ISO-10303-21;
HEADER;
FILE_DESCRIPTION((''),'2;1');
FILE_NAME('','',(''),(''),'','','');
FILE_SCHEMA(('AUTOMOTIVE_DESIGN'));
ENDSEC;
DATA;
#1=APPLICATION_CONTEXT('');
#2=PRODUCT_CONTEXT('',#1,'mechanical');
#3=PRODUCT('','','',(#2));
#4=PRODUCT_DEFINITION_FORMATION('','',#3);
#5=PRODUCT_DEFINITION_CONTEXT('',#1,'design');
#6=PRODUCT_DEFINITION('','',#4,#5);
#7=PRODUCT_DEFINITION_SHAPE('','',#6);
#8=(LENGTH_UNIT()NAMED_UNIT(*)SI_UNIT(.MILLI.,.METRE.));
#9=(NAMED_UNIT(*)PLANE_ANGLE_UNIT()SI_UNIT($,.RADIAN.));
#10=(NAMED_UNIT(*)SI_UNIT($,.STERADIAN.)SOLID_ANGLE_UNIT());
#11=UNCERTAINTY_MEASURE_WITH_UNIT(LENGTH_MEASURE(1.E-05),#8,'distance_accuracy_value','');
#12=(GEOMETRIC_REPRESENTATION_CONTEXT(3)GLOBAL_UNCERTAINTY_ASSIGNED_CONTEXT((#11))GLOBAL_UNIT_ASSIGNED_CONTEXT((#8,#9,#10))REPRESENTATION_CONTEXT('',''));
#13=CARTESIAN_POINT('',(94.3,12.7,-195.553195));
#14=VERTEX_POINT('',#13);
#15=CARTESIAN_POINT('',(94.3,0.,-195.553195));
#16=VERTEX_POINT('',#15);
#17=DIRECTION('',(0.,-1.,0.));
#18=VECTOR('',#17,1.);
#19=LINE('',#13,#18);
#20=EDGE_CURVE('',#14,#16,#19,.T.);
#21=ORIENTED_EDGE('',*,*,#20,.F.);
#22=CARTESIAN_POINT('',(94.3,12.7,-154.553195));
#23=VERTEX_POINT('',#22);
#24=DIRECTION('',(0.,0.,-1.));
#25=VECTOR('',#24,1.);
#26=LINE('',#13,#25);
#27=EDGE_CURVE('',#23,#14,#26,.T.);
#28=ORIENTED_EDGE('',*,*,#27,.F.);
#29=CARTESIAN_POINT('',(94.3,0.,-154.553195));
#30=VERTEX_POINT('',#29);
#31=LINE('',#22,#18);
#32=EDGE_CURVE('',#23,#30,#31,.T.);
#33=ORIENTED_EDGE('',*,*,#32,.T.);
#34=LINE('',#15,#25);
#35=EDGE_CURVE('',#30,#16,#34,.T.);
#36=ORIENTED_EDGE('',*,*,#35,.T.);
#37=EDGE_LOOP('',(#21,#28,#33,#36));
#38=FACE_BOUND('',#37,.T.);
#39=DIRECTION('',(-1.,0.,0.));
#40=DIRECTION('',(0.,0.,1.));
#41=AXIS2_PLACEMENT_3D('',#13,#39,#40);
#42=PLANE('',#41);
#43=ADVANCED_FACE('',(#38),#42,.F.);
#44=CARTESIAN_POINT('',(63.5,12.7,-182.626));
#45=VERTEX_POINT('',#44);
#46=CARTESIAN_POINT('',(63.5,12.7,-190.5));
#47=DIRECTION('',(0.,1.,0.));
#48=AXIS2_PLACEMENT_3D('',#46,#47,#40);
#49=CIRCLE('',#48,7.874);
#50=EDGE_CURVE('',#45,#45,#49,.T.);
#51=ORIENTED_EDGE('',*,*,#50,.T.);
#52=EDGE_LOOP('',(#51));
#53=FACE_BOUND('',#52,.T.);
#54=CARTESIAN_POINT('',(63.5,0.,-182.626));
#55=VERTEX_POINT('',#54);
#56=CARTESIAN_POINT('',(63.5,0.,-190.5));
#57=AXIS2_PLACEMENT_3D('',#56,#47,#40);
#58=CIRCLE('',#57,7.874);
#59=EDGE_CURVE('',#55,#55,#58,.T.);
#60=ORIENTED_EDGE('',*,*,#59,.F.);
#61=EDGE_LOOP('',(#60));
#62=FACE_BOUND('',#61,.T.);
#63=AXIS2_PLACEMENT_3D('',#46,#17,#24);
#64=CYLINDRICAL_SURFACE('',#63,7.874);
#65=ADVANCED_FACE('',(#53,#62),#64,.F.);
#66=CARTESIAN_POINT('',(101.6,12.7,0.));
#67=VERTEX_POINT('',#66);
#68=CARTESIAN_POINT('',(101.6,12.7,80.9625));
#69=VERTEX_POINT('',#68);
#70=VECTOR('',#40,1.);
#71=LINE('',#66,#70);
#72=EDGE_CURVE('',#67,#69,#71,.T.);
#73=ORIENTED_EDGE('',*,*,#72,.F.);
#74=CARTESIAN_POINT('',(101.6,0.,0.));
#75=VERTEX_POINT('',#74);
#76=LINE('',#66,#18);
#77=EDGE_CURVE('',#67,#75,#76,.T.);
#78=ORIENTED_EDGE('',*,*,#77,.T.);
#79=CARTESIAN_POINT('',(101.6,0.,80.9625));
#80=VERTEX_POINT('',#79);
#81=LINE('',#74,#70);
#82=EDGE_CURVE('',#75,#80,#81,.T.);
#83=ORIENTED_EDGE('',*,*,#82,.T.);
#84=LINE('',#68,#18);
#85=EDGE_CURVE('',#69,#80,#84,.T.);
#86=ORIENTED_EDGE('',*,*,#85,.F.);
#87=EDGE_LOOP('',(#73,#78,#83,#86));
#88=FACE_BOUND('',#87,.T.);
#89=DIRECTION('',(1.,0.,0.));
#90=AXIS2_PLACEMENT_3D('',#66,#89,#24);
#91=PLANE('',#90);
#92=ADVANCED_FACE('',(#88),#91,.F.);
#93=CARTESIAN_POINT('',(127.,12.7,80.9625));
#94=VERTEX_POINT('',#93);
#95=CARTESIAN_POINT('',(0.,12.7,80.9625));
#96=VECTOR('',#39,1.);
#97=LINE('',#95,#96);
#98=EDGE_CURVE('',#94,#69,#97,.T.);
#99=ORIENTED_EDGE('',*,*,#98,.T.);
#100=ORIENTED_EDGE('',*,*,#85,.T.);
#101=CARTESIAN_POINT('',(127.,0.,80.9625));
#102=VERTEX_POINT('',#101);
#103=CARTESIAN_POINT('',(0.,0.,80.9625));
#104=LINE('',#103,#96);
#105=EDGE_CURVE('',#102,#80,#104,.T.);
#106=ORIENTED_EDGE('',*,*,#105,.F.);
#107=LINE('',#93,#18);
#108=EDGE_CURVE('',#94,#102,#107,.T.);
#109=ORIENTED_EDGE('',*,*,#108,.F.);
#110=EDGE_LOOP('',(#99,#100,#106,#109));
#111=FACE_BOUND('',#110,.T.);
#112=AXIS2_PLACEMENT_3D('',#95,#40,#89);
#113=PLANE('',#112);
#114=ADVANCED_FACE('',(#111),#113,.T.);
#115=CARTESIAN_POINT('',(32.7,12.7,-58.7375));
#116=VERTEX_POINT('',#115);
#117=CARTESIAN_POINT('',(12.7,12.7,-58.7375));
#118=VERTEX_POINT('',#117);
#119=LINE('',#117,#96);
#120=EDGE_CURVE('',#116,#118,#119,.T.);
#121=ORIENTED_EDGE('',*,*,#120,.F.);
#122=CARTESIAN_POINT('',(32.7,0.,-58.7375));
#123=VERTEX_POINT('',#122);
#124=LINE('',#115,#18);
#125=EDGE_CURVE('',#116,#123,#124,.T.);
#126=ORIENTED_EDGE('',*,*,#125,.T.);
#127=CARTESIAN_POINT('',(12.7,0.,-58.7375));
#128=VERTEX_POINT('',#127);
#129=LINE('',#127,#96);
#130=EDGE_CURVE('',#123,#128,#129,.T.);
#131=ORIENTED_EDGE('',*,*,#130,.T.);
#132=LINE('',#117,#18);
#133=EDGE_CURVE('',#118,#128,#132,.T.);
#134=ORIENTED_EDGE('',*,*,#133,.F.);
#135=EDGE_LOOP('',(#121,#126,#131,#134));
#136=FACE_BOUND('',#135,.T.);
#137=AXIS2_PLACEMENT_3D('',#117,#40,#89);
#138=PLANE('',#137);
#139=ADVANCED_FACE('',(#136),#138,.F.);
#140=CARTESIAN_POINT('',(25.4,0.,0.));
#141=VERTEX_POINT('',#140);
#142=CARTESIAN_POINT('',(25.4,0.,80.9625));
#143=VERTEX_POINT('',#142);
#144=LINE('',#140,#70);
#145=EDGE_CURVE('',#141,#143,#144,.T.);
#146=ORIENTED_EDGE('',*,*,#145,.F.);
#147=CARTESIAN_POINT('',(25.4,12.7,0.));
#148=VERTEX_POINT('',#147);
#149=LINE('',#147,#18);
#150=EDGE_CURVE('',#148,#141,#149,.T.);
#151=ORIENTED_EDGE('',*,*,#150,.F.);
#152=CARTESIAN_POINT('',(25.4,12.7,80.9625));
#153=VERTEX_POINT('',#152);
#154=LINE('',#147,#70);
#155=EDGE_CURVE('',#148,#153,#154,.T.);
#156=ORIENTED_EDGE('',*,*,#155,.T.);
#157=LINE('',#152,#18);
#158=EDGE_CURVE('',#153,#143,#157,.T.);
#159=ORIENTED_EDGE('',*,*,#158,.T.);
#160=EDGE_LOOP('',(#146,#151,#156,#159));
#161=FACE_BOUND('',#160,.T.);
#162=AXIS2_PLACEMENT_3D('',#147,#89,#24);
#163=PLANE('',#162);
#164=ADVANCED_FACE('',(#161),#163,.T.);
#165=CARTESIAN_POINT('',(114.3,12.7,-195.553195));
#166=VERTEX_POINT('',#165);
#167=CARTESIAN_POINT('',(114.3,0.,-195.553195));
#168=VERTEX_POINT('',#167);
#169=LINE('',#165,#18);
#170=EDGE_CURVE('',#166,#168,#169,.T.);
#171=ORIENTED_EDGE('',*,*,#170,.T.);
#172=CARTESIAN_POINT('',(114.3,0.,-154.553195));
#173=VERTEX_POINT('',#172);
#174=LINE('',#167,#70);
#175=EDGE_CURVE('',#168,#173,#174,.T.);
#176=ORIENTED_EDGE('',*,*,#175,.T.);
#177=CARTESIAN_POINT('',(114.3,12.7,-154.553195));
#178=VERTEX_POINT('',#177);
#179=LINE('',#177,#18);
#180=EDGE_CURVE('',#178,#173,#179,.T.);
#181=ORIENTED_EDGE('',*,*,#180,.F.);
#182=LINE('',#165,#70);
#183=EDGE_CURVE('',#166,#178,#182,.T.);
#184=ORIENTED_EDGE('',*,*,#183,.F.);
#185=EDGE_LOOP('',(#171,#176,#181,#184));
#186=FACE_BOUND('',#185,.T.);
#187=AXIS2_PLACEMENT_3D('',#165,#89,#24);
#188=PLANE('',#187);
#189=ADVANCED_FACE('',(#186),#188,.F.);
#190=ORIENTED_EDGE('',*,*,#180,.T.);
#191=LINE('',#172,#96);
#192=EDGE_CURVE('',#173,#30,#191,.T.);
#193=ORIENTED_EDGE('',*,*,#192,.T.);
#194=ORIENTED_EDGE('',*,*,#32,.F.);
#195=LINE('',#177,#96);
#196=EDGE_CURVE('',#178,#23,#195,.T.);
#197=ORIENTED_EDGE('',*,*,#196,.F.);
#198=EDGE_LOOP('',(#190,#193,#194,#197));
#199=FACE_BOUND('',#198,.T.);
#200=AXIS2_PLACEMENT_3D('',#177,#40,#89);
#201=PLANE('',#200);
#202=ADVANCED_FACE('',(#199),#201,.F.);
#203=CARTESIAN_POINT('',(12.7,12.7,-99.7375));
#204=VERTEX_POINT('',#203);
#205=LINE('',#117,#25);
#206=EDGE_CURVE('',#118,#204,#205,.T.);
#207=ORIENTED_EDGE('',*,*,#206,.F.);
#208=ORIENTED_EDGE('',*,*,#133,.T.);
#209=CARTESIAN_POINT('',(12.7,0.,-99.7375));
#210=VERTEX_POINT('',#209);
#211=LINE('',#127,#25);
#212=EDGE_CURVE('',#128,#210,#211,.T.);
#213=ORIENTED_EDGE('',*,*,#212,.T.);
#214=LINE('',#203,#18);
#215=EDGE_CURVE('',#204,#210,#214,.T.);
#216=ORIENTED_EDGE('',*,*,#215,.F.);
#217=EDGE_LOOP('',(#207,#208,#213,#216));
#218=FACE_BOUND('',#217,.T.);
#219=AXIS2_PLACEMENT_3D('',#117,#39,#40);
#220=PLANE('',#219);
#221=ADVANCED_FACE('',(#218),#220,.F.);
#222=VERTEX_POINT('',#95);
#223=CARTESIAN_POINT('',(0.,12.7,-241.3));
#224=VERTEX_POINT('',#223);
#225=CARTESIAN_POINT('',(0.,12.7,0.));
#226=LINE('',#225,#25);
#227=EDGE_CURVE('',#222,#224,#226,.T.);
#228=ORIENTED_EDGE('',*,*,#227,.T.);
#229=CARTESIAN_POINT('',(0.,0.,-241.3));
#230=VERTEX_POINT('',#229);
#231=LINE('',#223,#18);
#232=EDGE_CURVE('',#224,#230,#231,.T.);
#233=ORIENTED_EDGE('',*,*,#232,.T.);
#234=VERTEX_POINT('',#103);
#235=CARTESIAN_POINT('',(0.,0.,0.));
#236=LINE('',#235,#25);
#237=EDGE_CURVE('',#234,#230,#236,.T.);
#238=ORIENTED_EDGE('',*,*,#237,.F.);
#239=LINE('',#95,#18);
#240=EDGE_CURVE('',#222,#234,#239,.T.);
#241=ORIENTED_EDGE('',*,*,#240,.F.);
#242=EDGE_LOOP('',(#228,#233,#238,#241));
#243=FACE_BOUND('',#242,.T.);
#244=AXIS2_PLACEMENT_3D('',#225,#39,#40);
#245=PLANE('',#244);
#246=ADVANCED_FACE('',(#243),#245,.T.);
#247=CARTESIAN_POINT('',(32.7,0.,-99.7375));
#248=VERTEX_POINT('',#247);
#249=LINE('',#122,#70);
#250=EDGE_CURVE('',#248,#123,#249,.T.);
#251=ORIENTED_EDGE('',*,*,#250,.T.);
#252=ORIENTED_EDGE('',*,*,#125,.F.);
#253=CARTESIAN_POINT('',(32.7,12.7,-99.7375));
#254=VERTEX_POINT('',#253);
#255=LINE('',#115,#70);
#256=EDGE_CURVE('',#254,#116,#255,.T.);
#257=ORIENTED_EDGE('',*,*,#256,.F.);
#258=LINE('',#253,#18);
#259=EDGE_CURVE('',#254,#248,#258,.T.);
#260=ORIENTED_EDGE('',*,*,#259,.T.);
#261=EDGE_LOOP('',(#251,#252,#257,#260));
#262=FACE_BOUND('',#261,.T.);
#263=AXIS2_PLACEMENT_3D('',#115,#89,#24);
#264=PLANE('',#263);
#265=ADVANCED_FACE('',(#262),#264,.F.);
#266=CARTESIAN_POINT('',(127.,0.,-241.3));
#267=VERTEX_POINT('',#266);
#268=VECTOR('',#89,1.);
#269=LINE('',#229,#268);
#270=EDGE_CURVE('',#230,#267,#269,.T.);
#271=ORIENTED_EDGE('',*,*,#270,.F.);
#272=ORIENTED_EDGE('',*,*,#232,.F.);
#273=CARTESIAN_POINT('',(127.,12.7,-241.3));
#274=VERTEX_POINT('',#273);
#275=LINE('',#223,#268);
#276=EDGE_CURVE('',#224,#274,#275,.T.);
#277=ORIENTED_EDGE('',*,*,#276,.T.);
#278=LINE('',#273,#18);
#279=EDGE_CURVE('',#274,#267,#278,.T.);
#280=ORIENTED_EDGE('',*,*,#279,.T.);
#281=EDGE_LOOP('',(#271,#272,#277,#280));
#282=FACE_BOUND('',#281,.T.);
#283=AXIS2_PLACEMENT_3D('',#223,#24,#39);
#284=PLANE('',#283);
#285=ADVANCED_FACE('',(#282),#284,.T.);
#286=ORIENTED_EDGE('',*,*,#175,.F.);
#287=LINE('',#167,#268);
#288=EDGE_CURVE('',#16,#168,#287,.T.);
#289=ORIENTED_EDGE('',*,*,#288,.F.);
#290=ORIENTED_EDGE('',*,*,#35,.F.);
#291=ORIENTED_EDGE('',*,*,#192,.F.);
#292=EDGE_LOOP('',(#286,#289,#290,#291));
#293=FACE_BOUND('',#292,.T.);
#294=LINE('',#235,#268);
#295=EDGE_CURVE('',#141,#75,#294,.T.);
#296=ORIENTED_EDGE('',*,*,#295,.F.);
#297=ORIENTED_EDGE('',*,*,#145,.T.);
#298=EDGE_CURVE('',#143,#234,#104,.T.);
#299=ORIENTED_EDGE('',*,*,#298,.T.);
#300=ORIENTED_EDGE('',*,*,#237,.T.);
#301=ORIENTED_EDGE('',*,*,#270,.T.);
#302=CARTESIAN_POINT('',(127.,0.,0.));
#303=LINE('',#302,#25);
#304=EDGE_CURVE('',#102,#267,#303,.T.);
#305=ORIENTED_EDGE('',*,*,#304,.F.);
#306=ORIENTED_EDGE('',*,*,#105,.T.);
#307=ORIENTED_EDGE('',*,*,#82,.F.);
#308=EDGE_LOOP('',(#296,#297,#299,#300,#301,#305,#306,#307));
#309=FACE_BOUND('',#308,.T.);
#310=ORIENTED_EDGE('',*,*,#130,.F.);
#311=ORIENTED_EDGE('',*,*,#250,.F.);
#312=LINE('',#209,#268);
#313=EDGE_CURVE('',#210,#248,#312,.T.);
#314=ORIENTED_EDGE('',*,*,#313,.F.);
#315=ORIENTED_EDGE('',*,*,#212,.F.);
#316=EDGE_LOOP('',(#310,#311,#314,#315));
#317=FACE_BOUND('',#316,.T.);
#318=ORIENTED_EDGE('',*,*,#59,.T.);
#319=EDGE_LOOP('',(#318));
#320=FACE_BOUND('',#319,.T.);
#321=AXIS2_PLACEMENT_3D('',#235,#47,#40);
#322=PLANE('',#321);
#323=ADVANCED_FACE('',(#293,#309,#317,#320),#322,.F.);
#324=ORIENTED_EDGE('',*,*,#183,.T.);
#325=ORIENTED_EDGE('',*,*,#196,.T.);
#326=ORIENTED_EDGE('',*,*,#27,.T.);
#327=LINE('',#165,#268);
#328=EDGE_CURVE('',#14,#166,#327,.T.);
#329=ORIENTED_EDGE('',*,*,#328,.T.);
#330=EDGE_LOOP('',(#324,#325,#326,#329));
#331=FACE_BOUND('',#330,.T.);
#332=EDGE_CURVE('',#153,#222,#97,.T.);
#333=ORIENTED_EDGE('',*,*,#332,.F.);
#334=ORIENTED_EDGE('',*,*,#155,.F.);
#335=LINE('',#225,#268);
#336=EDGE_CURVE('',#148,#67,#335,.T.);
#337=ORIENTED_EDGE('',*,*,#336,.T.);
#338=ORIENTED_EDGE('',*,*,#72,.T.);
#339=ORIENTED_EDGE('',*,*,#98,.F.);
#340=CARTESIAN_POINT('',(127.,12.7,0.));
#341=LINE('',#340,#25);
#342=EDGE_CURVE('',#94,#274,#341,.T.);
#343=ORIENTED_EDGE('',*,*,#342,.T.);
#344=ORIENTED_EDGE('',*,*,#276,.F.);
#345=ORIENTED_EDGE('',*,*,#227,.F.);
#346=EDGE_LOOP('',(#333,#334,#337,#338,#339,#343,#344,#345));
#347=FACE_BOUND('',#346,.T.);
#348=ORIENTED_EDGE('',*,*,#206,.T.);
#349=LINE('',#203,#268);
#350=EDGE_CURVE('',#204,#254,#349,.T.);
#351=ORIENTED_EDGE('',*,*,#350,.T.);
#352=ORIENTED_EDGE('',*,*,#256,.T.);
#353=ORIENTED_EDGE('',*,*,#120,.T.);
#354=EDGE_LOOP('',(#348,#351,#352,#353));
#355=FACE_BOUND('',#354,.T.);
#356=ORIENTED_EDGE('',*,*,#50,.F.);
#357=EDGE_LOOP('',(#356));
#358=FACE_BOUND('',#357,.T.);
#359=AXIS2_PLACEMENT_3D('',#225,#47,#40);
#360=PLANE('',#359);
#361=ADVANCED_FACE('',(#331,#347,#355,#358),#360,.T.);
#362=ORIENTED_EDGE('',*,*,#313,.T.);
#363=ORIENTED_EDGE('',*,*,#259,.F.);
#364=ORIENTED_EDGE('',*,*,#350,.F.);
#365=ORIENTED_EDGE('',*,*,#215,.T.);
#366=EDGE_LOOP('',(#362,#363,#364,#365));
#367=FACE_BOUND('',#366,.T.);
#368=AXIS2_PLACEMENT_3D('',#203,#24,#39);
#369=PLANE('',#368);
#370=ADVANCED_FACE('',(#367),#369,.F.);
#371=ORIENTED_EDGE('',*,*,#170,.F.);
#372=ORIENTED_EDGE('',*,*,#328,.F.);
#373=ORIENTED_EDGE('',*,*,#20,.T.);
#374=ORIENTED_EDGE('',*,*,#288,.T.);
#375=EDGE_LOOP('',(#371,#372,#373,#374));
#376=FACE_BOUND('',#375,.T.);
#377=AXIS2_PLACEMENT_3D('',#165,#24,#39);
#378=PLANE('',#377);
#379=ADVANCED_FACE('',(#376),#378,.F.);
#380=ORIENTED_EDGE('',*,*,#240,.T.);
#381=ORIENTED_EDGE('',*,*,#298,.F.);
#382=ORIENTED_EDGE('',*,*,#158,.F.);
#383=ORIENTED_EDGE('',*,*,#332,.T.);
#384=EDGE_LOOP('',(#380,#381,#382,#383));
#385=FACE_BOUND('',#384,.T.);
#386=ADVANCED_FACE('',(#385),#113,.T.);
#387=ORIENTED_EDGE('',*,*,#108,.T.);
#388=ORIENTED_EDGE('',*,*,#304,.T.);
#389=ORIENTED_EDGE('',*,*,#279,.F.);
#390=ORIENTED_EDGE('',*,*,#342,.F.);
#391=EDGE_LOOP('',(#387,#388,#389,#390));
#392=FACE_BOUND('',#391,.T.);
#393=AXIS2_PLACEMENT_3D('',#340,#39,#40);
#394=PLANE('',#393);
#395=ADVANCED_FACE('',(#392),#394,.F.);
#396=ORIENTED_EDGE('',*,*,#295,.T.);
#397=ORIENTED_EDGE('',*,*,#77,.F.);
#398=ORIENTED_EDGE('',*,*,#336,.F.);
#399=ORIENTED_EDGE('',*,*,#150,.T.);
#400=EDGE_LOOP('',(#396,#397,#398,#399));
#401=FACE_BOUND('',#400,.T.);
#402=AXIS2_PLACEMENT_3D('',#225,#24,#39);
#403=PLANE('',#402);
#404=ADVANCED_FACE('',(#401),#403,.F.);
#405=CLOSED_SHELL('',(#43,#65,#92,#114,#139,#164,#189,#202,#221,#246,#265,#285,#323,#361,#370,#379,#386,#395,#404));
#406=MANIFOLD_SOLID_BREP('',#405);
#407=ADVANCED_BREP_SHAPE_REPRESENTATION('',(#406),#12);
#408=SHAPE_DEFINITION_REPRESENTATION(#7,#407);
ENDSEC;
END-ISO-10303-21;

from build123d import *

# Parameters (mm, degrees)
SKETCH1_R           = 7.874
SKETCH1_W           = 25.4
SKETCH1_H           = 80.9625
BOSS_EXTRUDE1_DEPTH = 12.7
SKETCH2_W           = 20
SKETCH2_H           = 41
CUT_EXTRUDE1_DEPTH  = 13.7
SKETCH3_W           = 20
SKETCH3_H           = 41
CUT_EXTRUDE2_DEPTH  = 13.7


with BuildPart() as part:
    # Sketch1 → Boss-Extrude1 (new body)
    with BuildSketch(Plane(origin=(0, 0, 0), x_dir=(1, 0, 0), z_dir=(0, 1, 0))):
        Polygon((0, 241.3), (0, 0), (25.4, 0), (101.6, 0), (127, 0), (127, 241.3), align=None)
        with Locations((63.5, 190.5)):
            Circle(SKETCH1_R, mode=Mode.SUBTRACT)
        with Locations((12.7, -40.48125)):
            Rectangle(SKETCH1_W, SKETCH1_H)
        with Locations((114.3, -40.48125)):
            Rectangle(SKETCH1_W, SKETCH1_H)
    extrude(amount=BOSS_EXTRUDE1_DEPTH)

    # Sketch2 → Cut-Extrude1 (cut, through all)
    with BuildSketch(Plane.XZ):
        with Locations((104.3, -175.05319538)):
            Rectangle(SKETCH2_W, SKETCH2_H)
    extrude(amount=-CUT_EXTRUDE1_DEPTH, mode=Mode.SUBTRACT)

    # Sketch3 → Cut-Extrude2 (cut, through all)
    with BuildSketch(Plane(origin=(0, 0, 0), x_dir=(-1, 0, 0), z_dir=(0, -1, 0))):
        with Locations((-22.7, 79.2375)):
            Rectangle(SKETCH3_W, SKETCH3_H)
    extrude(amount=-CUT_EXTRUDE2_DEPTH, mode=Mode.SUBTRACT)


solid = part.part
